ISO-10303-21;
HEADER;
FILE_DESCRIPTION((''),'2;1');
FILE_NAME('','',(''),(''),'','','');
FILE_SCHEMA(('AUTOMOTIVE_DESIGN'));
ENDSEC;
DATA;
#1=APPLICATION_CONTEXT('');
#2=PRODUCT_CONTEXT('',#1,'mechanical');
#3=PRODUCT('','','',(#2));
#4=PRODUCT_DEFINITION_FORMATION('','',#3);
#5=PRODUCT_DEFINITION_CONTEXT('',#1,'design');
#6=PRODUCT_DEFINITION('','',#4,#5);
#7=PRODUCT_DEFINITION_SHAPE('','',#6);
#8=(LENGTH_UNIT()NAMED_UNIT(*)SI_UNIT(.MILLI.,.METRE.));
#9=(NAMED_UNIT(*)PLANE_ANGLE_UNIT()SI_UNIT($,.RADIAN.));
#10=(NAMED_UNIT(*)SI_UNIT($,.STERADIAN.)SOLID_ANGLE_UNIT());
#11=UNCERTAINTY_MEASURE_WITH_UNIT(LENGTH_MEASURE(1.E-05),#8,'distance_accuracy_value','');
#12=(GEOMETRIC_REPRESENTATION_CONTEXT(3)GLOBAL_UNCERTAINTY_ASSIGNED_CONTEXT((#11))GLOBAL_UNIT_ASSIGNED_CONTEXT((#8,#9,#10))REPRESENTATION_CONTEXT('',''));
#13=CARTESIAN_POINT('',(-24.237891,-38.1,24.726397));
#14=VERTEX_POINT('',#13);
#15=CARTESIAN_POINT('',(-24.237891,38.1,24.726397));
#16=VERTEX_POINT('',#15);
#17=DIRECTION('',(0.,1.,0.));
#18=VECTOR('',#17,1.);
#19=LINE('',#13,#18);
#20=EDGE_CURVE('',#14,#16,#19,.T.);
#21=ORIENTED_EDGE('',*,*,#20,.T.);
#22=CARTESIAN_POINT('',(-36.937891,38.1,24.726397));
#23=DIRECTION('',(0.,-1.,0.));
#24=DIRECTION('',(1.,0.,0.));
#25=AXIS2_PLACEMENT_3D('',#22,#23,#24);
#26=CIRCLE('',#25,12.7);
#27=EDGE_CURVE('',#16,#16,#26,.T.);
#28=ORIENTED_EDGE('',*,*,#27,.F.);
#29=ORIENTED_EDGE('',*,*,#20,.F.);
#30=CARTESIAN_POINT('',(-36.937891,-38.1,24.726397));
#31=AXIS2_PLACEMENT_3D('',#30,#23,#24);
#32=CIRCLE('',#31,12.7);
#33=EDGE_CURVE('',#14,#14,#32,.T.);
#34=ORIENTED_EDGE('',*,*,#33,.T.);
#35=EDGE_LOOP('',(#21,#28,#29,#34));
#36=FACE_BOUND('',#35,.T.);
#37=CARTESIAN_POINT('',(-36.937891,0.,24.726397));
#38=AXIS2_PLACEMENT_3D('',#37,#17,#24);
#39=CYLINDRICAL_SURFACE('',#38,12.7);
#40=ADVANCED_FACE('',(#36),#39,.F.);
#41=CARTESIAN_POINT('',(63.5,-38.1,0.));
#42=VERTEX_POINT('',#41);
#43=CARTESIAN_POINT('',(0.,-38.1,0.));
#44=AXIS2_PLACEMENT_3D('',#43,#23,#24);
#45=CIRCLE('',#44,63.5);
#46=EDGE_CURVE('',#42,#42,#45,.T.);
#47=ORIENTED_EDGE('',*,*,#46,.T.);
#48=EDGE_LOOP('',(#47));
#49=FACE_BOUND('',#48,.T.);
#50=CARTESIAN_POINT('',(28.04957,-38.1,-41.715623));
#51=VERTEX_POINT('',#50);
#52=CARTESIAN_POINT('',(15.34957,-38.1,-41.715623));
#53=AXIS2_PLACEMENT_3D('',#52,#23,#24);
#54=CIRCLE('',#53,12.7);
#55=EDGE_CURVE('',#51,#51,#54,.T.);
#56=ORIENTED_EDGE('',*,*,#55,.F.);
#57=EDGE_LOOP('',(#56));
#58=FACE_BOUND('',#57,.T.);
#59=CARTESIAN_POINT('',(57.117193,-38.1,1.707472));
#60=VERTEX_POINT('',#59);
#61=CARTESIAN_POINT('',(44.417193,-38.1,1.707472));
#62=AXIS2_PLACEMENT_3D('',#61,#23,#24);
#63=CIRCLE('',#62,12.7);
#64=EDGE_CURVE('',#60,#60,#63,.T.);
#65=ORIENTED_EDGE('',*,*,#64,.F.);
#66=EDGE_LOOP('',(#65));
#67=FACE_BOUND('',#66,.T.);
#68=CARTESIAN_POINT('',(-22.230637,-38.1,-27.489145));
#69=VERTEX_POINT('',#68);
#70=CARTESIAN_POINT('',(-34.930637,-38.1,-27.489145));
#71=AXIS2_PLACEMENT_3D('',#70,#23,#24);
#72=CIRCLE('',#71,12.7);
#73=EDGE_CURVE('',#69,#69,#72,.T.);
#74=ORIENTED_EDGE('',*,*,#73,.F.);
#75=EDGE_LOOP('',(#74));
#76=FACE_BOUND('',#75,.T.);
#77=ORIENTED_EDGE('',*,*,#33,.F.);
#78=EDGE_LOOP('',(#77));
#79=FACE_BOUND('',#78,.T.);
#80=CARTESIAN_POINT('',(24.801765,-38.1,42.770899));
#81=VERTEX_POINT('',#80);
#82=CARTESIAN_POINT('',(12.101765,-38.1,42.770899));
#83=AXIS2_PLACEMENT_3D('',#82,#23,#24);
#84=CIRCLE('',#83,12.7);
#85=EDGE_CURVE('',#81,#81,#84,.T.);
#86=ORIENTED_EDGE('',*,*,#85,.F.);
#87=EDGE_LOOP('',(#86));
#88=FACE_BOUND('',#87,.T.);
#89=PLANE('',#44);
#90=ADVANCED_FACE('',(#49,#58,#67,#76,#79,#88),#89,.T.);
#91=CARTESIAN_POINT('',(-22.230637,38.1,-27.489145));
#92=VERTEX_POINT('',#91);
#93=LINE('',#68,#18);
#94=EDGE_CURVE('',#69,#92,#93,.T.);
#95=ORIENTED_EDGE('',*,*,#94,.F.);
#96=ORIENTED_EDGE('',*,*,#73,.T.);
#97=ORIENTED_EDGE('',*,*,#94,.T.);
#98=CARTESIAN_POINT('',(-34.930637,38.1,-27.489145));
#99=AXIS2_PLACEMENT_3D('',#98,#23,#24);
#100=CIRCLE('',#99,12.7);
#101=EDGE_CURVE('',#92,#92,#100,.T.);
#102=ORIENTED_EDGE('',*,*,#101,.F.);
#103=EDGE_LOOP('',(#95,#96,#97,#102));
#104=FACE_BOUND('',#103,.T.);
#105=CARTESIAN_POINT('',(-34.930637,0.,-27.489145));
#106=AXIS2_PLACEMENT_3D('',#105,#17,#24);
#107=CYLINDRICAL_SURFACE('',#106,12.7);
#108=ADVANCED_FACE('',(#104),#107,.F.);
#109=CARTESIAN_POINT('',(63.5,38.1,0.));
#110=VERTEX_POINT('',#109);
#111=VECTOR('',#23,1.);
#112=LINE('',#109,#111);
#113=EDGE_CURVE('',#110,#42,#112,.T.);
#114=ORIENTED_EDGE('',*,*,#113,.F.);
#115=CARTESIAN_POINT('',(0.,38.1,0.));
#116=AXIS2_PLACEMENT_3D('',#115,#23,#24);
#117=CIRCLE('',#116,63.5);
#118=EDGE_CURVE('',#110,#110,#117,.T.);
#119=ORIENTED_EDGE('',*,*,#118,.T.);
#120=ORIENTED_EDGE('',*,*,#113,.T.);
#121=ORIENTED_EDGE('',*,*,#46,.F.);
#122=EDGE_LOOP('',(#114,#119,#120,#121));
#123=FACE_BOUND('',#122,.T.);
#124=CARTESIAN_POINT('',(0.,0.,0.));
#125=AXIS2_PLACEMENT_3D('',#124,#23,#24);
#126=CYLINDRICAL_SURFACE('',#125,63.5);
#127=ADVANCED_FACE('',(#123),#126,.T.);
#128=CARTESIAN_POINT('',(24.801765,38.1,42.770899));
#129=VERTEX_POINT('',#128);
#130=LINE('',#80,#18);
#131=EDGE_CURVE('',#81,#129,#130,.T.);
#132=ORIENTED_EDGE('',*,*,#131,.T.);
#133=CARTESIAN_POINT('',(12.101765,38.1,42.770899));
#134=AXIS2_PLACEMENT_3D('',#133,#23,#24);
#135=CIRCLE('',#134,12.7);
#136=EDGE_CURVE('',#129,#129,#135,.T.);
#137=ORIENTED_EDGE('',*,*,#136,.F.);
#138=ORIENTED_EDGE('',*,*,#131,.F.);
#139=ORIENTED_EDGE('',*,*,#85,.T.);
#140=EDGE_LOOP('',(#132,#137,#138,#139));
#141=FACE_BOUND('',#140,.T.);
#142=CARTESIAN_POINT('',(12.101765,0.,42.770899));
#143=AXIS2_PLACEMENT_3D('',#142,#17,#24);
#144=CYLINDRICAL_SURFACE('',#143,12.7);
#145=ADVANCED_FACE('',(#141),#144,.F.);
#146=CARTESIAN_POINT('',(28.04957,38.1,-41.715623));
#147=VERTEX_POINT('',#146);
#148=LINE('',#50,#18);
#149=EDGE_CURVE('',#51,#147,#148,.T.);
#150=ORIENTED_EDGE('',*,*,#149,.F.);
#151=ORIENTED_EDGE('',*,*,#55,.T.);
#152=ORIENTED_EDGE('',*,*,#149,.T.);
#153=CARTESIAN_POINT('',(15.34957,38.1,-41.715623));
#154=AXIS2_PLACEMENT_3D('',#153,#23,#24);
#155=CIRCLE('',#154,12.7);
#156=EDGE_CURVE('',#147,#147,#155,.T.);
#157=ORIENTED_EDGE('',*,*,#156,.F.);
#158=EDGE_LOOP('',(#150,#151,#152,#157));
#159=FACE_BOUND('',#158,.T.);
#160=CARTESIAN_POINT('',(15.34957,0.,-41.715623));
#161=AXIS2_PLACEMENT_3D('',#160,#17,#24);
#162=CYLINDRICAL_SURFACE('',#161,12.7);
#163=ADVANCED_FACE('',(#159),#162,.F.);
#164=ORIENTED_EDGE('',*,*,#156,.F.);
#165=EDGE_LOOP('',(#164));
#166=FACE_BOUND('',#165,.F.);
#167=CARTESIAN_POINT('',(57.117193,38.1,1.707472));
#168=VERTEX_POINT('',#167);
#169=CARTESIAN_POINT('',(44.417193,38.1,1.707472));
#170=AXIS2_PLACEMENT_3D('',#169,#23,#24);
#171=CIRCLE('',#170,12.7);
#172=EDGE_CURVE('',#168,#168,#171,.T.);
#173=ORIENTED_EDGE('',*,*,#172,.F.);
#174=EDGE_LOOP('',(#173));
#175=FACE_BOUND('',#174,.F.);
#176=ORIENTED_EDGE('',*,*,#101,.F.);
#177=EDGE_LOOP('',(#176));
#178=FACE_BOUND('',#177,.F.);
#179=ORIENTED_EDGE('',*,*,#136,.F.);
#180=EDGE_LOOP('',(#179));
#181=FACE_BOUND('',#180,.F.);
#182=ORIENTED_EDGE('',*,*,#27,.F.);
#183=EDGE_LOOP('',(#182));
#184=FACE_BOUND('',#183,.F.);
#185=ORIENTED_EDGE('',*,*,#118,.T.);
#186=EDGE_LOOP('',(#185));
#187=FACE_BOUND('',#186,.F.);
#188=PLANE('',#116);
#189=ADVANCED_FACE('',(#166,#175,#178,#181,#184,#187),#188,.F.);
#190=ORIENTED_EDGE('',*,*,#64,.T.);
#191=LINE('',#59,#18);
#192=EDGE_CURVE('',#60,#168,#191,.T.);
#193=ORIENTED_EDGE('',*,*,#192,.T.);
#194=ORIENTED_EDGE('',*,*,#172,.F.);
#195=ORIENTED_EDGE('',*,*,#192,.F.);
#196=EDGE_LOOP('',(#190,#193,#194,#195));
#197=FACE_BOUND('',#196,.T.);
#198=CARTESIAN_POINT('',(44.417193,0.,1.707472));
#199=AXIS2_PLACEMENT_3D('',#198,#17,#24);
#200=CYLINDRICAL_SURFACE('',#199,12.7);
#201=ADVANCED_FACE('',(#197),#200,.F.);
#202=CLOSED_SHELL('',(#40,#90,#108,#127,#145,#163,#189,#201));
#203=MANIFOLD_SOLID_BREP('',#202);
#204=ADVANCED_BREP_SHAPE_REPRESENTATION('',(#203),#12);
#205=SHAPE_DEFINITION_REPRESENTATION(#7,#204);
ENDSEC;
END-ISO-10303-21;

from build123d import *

# Parameters (mm, degrees)
F0_R     = 63.5
F0_R_2   = 12.7
F1_DEPTH = 38.1


with BuildPart() as f1:
    # F0 (on Front) → F1 (new body, symmetric)
    with BuildSketch(Plane.XZ):
        Circle(F0_R)
        with Locations((-34.930637, -27.489145)):
            Circle(F0_R_2, mode=Mode.SUBTRACT)
        with Locations((15.34957, -41.715623)):
            Circle(F0_R_2, mode=Mode.SUBTRACT)
        with Locations((-36.937891, 24.726397)):
            Circle(F0_R_2, mode=Mode.SUBTRACT)
        with Locations((44.417193, 1.707472)):
            Circle(F0_R_2, mode=Mode.SUBTRACT)
        with Locations((12.101765, 42.770899)):
            Circle(F0_R_2, mode=Mode.SUBTRACT)
    extrude(amount=F1_DEPTH, both=True)


solid = f1.part
